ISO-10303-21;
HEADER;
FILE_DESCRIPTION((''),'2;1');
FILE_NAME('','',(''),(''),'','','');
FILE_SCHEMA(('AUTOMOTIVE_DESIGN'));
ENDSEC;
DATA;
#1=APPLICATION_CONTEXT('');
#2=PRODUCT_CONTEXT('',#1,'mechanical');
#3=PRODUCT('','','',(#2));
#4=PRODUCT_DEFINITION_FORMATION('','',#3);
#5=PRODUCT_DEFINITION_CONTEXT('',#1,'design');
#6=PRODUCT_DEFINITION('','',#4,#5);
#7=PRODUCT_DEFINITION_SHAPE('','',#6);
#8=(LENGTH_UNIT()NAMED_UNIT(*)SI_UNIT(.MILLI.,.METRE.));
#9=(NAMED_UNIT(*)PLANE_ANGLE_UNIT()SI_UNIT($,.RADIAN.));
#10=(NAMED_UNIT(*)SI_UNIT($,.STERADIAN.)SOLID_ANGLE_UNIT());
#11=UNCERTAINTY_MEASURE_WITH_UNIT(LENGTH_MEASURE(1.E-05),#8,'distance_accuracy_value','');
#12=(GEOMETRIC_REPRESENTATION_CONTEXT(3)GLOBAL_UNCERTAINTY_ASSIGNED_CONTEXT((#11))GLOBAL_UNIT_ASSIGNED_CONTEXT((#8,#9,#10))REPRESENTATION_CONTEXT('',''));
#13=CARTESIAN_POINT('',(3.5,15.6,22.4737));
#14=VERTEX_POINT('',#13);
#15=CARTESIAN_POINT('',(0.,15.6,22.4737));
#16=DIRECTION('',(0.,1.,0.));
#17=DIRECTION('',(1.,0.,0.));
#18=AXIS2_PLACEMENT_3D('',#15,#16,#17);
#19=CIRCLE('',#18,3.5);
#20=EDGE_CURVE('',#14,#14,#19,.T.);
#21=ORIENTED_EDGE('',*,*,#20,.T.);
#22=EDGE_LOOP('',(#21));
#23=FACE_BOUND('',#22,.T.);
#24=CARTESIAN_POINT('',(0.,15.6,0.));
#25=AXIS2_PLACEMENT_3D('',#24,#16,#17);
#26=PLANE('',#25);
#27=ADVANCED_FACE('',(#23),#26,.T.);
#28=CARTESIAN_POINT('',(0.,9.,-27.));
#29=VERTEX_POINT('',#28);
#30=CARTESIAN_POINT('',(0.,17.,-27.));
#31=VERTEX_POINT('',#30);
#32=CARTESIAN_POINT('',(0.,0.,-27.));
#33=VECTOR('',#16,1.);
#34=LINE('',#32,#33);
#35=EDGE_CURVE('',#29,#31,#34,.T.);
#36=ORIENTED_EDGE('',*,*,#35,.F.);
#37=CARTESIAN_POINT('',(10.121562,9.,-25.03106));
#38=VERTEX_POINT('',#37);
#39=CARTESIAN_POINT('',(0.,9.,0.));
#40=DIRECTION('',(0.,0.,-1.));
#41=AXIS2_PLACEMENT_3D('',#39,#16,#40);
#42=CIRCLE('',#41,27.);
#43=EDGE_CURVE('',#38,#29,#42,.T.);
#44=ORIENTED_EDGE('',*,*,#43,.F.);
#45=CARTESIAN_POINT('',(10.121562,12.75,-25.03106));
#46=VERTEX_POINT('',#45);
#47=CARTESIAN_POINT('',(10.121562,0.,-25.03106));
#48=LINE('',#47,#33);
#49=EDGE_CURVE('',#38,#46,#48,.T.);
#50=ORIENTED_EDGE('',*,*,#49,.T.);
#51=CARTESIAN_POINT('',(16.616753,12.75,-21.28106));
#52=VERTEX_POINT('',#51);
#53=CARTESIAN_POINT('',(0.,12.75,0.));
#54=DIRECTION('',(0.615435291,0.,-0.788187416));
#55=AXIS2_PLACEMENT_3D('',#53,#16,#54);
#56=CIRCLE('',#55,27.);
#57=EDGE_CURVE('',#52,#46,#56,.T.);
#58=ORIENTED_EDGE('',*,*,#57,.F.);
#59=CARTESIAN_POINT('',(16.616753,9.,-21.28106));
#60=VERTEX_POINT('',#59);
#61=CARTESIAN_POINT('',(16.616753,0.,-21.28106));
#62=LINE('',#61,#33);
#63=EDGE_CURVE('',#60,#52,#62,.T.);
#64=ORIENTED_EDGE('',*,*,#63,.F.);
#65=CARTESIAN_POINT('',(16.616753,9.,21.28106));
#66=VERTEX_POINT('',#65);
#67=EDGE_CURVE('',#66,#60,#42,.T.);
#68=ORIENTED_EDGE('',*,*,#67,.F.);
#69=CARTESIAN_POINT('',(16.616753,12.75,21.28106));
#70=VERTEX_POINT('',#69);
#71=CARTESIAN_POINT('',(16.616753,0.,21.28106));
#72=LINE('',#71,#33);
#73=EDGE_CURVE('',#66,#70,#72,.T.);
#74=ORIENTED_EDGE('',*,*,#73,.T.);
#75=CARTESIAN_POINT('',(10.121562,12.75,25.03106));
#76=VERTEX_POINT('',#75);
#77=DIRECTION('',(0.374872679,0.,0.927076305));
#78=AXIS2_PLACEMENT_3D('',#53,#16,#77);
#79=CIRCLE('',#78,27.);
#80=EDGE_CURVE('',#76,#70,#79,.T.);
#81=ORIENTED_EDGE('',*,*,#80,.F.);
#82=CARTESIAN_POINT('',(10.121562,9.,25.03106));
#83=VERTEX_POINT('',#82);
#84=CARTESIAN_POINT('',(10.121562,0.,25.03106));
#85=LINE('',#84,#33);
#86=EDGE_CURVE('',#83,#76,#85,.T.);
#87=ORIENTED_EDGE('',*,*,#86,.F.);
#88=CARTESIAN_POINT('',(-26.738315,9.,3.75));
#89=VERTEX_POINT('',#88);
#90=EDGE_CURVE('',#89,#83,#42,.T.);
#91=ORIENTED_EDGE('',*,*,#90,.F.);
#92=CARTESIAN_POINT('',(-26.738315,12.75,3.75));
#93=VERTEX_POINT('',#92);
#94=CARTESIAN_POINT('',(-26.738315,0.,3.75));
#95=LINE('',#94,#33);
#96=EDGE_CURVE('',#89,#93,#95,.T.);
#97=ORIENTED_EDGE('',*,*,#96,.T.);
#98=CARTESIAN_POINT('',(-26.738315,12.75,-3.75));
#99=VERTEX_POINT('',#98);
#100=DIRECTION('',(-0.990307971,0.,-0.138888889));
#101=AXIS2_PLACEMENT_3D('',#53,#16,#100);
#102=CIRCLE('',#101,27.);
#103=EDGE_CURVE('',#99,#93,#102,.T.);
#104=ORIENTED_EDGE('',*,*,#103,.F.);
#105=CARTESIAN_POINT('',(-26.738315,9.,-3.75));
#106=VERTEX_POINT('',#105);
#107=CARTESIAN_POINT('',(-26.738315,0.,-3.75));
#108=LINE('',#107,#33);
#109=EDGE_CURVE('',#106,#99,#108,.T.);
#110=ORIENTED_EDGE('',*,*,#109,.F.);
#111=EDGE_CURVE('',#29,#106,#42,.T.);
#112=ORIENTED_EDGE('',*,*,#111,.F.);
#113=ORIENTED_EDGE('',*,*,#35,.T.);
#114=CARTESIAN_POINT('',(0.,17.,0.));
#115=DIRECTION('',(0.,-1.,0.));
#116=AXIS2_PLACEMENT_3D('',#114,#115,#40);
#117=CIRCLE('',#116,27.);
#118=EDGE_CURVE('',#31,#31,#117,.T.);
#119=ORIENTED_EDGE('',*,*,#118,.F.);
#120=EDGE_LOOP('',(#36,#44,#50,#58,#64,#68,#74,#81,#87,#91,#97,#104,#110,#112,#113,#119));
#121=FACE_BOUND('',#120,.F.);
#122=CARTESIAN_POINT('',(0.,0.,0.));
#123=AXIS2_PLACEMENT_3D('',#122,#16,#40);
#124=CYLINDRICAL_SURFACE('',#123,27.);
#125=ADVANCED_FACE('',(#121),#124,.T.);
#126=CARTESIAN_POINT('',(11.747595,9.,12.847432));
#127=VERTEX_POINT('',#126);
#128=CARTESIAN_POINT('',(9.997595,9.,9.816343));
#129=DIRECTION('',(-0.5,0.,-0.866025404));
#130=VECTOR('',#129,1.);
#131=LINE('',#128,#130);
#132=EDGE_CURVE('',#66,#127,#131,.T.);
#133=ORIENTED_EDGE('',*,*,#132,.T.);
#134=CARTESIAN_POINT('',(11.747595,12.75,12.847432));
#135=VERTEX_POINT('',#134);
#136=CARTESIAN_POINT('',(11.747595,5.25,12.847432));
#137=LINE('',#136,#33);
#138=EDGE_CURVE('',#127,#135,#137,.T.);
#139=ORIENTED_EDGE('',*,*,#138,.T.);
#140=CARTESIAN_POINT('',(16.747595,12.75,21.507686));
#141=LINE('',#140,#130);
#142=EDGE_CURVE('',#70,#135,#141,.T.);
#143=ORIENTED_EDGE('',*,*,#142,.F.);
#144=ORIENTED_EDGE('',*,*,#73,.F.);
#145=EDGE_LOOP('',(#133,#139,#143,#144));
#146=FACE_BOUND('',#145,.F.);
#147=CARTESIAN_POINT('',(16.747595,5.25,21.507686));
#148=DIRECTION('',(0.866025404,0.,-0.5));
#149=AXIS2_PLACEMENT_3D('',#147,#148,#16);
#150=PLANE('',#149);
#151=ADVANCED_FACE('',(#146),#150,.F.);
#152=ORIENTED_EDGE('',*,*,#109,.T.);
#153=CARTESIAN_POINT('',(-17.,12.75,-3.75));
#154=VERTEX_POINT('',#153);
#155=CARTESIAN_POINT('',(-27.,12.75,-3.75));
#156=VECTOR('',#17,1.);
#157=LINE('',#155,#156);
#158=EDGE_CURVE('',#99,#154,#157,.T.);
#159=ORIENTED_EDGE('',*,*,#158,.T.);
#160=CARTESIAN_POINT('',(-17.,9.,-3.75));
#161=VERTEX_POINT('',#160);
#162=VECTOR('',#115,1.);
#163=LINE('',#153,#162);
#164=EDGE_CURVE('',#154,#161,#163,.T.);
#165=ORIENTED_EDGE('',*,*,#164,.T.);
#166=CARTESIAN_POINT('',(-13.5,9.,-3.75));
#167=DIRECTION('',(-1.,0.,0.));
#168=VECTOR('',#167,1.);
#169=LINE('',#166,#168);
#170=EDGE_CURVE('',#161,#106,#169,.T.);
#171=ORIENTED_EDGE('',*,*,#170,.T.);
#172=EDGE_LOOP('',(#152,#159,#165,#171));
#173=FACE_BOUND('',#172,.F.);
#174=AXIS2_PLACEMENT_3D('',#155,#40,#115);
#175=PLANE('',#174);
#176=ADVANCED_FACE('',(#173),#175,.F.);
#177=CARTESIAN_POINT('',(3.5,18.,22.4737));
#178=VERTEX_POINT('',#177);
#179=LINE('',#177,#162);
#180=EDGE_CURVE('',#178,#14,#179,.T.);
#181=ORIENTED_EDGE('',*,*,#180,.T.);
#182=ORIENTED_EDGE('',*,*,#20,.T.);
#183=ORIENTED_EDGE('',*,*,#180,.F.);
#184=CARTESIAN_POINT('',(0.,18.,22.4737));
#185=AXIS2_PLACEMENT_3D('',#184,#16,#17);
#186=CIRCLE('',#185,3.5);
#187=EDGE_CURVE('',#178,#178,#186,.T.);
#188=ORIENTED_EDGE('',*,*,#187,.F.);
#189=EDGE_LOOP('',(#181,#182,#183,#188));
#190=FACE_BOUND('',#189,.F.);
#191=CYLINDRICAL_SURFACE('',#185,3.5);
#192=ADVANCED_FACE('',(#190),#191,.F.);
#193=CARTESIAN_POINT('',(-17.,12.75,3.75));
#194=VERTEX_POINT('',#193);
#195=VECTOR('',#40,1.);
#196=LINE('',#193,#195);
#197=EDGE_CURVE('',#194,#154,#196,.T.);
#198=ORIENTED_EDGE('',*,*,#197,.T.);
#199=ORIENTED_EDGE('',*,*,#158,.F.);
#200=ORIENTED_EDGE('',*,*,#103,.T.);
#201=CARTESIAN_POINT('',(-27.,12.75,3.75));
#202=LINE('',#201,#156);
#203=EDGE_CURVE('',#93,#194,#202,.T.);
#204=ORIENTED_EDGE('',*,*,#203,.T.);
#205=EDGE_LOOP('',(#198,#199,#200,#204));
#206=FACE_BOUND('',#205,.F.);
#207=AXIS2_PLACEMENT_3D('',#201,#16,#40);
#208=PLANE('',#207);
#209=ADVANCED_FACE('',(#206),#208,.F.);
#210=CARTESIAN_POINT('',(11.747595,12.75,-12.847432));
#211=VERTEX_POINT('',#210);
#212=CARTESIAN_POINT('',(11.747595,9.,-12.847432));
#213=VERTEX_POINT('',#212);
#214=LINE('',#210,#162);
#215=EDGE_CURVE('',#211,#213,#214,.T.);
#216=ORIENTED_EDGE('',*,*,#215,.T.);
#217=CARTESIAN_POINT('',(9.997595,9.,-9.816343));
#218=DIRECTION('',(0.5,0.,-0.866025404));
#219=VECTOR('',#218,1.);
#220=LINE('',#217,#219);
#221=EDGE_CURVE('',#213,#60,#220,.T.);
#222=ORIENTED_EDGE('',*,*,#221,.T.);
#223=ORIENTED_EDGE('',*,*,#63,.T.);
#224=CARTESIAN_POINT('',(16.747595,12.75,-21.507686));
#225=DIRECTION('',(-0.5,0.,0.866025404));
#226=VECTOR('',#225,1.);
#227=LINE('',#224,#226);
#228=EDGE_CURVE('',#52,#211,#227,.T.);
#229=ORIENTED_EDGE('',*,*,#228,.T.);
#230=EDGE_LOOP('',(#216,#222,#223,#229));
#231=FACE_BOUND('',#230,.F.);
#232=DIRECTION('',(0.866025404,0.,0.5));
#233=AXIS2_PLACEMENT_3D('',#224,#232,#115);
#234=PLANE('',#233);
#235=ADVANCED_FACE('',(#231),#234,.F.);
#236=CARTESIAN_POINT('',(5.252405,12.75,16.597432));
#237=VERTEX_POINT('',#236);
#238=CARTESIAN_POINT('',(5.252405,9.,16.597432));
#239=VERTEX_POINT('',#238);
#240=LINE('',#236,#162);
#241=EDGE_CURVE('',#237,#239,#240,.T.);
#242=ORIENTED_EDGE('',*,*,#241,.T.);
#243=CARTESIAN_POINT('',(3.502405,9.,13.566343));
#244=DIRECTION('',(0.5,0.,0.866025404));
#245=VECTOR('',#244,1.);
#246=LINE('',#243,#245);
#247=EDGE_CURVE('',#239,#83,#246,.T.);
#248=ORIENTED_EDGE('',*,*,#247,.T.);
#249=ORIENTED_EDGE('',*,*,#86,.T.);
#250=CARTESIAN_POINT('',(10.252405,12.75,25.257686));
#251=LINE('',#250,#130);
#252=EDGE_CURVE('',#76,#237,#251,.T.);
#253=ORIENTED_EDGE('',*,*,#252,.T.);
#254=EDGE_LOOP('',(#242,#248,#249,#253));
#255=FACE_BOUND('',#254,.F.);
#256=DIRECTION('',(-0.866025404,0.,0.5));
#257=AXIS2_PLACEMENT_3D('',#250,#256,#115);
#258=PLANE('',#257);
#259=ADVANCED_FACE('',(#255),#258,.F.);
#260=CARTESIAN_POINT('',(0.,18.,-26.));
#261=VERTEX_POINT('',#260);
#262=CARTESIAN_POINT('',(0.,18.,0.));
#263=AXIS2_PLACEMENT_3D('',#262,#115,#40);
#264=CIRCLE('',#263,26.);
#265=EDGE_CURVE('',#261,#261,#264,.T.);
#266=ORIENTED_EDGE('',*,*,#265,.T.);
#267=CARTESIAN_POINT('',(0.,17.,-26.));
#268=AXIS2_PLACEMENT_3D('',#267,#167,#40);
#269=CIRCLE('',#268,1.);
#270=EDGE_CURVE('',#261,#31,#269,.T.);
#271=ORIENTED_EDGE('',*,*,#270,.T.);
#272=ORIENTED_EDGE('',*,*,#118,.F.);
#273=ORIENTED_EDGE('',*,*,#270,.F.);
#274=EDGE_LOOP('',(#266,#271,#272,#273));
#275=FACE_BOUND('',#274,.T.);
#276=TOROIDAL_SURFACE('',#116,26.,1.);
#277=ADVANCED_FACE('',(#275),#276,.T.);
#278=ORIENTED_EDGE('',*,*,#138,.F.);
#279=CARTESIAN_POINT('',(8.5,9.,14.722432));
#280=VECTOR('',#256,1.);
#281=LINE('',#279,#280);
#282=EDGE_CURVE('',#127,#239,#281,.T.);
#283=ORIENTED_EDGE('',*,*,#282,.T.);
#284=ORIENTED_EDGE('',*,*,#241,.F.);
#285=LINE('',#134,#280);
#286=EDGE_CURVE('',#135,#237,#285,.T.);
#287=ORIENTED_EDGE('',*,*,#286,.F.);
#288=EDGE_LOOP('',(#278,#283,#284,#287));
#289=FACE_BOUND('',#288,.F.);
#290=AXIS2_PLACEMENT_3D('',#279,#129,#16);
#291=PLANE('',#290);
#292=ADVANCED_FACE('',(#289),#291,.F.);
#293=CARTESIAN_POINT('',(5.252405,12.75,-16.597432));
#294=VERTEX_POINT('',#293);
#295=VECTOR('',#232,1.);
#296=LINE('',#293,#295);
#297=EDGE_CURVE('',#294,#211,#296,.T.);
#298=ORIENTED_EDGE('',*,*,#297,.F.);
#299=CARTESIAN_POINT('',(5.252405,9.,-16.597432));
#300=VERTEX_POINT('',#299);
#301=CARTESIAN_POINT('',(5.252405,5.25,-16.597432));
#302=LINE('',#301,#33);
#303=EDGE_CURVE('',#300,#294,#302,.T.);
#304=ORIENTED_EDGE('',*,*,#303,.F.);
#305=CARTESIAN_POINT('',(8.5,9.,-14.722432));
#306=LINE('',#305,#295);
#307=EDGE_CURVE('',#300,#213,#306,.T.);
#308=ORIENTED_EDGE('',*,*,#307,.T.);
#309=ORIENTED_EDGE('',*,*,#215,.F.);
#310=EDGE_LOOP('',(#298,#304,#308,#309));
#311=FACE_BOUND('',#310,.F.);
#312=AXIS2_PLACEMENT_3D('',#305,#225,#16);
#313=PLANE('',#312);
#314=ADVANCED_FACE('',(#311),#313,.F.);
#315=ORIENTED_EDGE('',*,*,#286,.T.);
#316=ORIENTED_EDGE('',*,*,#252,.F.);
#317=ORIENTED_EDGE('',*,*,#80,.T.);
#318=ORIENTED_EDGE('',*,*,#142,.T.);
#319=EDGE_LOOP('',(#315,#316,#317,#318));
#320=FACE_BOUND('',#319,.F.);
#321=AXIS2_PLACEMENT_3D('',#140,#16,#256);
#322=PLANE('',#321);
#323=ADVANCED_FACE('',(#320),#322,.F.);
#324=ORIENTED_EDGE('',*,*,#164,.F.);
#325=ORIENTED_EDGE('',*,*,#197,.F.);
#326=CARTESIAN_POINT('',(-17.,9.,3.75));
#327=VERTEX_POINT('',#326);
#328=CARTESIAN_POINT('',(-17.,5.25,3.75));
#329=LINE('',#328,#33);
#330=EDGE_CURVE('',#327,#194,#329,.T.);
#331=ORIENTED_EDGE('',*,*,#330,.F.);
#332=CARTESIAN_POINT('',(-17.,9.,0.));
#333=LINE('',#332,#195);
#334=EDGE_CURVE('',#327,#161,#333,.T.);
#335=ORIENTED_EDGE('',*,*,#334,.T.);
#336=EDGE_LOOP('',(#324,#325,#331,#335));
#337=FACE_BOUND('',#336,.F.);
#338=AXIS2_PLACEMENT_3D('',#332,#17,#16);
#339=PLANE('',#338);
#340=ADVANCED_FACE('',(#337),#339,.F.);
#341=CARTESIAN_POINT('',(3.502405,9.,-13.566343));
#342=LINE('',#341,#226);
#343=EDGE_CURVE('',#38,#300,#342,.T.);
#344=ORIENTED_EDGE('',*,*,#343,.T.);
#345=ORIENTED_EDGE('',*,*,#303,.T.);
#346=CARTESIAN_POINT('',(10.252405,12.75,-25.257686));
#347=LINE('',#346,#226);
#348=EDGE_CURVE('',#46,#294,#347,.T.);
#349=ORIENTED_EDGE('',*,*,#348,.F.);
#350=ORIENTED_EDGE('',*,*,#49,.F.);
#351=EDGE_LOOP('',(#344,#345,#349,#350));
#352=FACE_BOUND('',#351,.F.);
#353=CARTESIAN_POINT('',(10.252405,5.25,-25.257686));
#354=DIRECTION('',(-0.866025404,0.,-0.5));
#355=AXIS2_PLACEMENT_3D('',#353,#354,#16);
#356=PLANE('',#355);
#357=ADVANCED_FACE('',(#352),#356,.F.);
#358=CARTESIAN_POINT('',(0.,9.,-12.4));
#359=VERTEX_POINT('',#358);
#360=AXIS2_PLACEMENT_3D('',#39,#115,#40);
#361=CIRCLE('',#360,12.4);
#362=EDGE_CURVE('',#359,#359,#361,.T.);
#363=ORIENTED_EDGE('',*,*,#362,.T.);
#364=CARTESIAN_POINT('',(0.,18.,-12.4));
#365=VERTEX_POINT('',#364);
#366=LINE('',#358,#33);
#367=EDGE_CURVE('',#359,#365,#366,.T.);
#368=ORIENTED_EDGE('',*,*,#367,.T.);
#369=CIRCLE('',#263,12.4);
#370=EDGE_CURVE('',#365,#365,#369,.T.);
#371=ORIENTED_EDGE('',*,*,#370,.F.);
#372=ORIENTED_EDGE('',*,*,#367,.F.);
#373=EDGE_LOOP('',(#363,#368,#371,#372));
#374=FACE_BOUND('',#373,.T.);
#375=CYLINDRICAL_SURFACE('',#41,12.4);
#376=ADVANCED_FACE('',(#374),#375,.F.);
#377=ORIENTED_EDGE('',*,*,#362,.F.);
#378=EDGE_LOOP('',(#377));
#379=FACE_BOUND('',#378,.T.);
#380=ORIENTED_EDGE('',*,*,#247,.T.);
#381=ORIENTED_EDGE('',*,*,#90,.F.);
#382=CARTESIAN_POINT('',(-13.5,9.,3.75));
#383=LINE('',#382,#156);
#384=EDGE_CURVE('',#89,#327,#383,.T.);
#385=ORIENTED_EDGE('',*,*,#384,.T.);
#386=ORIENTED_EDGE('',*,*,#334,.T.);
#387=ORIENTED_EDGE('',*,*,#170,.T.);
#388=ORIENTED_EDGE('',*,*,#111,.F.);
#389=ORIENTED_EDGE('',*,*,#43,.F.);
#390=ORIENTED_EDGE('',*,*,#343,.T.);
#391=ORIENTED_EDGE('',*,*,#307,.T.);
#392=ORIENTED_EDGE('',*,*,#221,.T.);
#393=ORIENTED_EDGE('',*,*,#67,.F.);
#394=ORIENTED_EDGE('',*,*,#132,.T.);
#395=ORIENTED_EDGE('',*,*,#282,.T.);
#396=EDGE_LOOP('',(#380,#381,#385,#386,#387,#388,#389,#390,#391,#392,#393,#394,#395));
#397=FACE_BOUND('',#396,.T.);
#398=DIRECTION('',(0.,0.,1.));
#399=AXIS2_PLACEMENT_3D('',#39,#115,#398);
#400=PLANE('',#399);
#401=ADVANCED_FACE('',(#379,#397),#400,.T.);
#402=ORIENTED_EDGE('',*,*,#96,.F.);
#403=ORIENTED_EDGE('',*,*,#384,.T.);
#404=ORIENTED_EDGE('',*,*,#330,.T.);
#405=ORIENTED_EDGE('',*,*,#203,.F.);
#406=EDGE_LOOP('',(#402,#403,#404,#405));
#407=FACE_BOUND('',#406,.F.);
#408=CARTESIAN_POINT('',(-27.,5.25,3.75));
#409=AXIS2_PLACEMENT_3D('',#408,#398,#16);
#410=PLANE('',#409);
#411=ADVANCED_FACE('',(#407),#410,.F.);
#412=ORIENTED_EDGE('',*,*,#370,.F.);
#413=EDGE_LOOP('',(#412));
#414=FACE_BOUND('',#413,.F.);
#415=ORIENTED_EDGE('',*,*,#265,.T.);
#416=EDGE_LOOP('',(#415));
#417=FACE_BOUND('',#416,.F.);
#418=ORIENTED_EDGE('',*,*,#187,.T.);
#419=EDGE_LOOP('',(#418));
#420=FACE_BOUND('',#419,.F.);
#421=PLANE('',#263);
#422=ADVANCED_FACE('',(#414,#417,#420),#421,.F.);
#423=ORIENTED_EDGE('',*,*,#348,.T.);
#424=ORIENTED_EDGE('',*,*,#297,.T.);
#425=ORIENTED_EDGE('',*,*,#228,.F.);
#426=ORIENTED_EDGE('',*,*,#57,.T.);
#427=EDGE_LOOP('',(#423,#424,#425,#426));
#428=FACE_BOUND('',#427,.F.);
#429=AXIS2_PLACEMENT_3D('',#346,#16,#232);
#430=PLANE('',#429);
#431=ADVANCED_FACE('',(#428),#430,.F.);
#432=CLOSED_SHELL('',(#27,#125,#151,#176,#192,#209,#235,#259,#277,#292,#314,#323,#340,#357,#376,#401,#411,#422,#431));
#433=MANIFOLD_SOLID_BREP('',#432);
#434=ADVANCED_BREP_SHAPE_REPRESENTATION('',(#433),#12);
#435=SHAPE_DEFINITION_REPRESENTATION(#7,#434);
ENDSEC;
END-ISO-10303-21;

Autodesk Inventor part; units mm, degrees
ref_plane "XY Plane" through (0, 0, 0) normal (0, 0, 1) x (1, 0, 0)
sketch "Sketch3" plane through (0, 0, 0) normal (1, 0, 0) x (0, 1, 0)
  line L0 (63.5252, 0) -> (0, 0) construction
  line L1 (0, -8) -> (0, -27)
  line L2 (0, -27) -> (18, -27)
  line L3 (18, -27) -> (18, -12.4)
  line L4 (9, -8) -> (9, -12.4)
  line L5 (9, -12.4) -> (18, -12.4)
  line L6 (9, -8) -> (5, -8)
  line L7 (5, -8) -> (5, 0)
  line L8 (0, -8) -> (0, 0)
  line L9 (5, 0) -> (0, 0)
  dimension "d15" = 18
  dimension "d18" = 9
  dimension "d32" = 27
  dimension "d33" = 12.4
  dimension "d54" = 4
  dimension "d56" = 8
revolve "Revolution1" add sketch "Sketch3" angle 360 about axis through (0, 63.5252, 0) along (0, -1, 0)
fillet "Fillet2" radius 1 2 edges at (0, 18, 27) (0, 0, 27)
ref_plane "Work Plane2" through (-27, 9, 0) normal (1, 0, 0) x (0, 1, 0)
sketch "Sketch4" plane through (-27, 9, 0) normal (1, 0, 0) x (0, 1, 0)
  line L0 (-9, 0) -> (10.8256, 0) construction
  line L1 (-3.75, 3.75) -> (3.75, 3.75)
  line L2 (3.75, 3.75) -> (3.75, -3.75)
  line L3 (3.75, -3.75) -> (-3.75, -3.75)
  line L4 (-3.75, -3.75) -> (-3.75, 3.75)
  line L5 (-3.75, 3.75) -> (3.75, -3.75) construction
  line L6 (3.75, 3.75) -> (-3.75, -3.75) construction
  line L7 (9, 26) -> (9, -26) projected
  point P0 (0, 0)
  dimension "d21" = 7.5
  dimension "d22" = 7.5
  dimension "d55" = 9
extrude "Extrusion3" cut sketch "Sketch4" along normal blind 10
pattern_circular "Circular Pattern2" count 3 over 360 about axis through (0, 13.5, 0) along (0, -1, 0) of "Extrusion3"
sketch "Sketch9" plane through (0, 18, 0) normal (0, 1, 0) x (1, 0, 0)
  circle A0 centre (0, -22.4737) radius 3.5
  point P0 (0, 0)
  dimension "d57" = 7
extrude "Extrusion7" cut sketch "Sketch9" against normal blind 2.4
ref_plane "Work Plane4" through (0, 9, 0) normal (0, 1, 0) x (-1, 0, 0)
split "Split1" plane through (0, 9, 0) removes the side toward (0, -1, 0)
properties part number "BasePaletas"
